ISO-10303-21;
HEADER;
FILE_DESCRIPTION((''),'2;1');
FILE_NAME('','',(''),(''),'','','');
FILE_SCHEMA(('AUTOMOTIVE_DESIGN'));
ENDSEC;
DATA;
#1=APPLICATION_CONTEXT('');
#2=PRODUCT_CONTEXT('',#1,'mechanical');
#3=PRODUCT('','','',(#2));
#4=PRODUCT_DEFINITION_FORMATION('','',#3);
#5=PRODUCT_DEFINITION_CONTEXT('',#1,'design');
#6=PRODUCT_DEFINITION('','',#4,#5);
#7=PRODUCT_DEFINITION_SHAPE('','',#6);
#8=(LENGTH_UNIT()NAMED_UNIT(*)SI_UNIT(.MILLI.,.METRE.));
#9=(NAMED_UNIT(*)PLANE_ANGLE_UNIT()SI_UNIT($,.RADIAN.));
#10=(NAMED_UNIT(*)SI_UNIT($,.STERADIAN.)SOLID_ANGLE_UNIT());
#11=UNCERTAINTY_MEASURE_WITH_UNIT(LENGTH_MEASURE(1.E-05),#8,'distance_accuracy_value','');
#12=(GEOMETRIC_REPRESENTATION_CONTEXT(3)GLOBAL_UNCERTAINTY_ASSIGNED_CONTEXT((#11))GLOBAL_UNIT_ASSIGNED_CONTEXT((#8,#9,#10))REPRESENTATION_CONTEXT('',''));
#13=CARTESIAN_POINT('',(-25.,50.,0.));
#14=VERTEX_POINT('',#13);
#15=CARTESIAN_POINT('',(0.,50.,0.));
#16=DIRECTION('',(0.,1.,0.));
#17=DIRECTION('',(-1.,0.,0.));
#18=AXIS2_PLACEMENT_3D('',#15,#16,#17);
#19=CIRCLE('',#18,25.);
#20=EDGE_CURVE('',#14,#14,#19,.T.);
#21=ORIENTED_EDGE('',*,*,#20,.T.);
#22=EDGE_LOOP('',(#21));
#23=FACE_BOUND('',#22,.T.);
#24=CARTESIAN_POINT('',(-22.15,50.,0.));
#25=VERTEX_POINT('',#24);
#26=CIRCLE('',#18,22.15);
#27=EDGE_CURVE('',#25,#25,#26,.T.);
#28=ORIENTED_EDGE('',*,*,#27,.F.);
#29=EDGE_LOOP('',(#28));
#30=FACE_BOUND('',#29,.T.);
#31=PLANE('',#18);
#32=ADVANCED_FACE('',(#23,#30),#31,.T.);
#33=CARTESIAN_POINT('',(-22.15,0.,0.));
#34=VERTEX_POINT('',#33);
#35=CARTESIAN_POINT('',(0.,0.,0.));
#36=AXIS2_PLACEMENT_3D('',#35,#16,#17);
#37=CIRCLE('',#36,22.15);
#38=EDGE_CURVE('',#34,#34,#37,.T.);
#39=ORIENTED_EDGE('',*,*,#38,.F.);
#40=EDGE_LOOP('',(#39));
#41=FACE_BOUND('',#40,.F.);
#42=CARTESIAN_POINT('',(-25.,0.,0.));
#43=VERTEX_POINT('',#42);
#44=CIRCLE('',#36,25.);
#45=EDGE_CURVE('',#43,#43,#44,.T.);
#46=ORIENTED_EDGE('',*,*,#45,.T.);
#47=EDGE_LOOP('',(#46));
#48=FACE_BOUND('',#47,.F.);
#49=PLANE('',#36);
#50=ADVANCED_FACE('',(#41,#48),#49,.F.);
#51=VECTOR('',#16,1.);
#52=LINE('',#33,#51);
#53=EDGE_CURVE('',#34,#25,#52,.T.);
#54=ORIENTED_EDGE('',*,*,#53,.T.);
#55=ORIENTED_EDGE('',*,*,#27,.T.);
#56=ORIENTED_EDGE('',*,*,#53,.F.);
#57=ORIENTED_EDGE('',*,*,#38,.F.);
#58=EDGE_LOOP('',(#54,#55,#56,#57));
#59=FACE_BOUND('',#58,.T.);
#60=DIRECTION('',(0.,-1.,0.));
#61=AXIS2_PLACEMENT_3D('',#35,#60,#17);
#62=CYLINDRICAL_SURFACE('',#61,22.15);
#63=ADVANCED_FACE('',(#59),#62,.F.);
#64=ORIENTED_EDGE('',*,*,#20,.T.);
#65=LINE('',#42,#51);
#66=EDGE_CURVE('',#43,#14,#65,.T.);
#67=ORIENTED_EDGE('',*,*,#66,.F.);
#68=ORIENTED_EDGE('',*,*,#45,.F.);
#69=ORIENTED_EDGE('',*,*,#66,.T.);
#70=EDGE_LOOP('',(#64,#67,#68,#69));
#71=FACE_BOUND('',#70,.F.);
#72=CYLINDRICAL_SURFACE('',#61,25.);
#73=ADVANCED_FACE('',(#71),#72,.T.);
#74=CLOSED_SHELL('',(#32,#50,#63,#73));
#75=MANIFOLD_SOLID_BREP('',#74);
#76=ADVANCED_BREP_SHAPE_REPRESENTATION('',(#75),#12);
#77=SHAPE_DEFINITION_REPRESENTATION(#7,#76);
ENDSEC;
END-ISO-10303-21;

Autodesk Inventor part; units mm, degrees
ref_plane "YZ Plane" through (0, 0, 0) normal (1, 0, 0) x (0, 1, 0)
ref_plane "XZ Plane" through (0, 0, 0) normal (0, 1, 0) x (-1, 0, 0)
ref_plane "XY Plane" through (0, 0, 0) normal (0, 0, 1) x (1, 0, 0)
sketch "Эскиз1" plane through (0, 0, 0) normal (0, 1, 0) x (-1, 0, 0)
  circle A0 centre (0, 0) radius 25
  circle A1 centre (0, 0) radius 22.15
  dimension "d0" = 50
  dimension "d4" = 2.85
extrude "Выдавливание1" add sketch "Эскиз1" along normal blind 50
properties part number "tube_50" material "Стекло"
